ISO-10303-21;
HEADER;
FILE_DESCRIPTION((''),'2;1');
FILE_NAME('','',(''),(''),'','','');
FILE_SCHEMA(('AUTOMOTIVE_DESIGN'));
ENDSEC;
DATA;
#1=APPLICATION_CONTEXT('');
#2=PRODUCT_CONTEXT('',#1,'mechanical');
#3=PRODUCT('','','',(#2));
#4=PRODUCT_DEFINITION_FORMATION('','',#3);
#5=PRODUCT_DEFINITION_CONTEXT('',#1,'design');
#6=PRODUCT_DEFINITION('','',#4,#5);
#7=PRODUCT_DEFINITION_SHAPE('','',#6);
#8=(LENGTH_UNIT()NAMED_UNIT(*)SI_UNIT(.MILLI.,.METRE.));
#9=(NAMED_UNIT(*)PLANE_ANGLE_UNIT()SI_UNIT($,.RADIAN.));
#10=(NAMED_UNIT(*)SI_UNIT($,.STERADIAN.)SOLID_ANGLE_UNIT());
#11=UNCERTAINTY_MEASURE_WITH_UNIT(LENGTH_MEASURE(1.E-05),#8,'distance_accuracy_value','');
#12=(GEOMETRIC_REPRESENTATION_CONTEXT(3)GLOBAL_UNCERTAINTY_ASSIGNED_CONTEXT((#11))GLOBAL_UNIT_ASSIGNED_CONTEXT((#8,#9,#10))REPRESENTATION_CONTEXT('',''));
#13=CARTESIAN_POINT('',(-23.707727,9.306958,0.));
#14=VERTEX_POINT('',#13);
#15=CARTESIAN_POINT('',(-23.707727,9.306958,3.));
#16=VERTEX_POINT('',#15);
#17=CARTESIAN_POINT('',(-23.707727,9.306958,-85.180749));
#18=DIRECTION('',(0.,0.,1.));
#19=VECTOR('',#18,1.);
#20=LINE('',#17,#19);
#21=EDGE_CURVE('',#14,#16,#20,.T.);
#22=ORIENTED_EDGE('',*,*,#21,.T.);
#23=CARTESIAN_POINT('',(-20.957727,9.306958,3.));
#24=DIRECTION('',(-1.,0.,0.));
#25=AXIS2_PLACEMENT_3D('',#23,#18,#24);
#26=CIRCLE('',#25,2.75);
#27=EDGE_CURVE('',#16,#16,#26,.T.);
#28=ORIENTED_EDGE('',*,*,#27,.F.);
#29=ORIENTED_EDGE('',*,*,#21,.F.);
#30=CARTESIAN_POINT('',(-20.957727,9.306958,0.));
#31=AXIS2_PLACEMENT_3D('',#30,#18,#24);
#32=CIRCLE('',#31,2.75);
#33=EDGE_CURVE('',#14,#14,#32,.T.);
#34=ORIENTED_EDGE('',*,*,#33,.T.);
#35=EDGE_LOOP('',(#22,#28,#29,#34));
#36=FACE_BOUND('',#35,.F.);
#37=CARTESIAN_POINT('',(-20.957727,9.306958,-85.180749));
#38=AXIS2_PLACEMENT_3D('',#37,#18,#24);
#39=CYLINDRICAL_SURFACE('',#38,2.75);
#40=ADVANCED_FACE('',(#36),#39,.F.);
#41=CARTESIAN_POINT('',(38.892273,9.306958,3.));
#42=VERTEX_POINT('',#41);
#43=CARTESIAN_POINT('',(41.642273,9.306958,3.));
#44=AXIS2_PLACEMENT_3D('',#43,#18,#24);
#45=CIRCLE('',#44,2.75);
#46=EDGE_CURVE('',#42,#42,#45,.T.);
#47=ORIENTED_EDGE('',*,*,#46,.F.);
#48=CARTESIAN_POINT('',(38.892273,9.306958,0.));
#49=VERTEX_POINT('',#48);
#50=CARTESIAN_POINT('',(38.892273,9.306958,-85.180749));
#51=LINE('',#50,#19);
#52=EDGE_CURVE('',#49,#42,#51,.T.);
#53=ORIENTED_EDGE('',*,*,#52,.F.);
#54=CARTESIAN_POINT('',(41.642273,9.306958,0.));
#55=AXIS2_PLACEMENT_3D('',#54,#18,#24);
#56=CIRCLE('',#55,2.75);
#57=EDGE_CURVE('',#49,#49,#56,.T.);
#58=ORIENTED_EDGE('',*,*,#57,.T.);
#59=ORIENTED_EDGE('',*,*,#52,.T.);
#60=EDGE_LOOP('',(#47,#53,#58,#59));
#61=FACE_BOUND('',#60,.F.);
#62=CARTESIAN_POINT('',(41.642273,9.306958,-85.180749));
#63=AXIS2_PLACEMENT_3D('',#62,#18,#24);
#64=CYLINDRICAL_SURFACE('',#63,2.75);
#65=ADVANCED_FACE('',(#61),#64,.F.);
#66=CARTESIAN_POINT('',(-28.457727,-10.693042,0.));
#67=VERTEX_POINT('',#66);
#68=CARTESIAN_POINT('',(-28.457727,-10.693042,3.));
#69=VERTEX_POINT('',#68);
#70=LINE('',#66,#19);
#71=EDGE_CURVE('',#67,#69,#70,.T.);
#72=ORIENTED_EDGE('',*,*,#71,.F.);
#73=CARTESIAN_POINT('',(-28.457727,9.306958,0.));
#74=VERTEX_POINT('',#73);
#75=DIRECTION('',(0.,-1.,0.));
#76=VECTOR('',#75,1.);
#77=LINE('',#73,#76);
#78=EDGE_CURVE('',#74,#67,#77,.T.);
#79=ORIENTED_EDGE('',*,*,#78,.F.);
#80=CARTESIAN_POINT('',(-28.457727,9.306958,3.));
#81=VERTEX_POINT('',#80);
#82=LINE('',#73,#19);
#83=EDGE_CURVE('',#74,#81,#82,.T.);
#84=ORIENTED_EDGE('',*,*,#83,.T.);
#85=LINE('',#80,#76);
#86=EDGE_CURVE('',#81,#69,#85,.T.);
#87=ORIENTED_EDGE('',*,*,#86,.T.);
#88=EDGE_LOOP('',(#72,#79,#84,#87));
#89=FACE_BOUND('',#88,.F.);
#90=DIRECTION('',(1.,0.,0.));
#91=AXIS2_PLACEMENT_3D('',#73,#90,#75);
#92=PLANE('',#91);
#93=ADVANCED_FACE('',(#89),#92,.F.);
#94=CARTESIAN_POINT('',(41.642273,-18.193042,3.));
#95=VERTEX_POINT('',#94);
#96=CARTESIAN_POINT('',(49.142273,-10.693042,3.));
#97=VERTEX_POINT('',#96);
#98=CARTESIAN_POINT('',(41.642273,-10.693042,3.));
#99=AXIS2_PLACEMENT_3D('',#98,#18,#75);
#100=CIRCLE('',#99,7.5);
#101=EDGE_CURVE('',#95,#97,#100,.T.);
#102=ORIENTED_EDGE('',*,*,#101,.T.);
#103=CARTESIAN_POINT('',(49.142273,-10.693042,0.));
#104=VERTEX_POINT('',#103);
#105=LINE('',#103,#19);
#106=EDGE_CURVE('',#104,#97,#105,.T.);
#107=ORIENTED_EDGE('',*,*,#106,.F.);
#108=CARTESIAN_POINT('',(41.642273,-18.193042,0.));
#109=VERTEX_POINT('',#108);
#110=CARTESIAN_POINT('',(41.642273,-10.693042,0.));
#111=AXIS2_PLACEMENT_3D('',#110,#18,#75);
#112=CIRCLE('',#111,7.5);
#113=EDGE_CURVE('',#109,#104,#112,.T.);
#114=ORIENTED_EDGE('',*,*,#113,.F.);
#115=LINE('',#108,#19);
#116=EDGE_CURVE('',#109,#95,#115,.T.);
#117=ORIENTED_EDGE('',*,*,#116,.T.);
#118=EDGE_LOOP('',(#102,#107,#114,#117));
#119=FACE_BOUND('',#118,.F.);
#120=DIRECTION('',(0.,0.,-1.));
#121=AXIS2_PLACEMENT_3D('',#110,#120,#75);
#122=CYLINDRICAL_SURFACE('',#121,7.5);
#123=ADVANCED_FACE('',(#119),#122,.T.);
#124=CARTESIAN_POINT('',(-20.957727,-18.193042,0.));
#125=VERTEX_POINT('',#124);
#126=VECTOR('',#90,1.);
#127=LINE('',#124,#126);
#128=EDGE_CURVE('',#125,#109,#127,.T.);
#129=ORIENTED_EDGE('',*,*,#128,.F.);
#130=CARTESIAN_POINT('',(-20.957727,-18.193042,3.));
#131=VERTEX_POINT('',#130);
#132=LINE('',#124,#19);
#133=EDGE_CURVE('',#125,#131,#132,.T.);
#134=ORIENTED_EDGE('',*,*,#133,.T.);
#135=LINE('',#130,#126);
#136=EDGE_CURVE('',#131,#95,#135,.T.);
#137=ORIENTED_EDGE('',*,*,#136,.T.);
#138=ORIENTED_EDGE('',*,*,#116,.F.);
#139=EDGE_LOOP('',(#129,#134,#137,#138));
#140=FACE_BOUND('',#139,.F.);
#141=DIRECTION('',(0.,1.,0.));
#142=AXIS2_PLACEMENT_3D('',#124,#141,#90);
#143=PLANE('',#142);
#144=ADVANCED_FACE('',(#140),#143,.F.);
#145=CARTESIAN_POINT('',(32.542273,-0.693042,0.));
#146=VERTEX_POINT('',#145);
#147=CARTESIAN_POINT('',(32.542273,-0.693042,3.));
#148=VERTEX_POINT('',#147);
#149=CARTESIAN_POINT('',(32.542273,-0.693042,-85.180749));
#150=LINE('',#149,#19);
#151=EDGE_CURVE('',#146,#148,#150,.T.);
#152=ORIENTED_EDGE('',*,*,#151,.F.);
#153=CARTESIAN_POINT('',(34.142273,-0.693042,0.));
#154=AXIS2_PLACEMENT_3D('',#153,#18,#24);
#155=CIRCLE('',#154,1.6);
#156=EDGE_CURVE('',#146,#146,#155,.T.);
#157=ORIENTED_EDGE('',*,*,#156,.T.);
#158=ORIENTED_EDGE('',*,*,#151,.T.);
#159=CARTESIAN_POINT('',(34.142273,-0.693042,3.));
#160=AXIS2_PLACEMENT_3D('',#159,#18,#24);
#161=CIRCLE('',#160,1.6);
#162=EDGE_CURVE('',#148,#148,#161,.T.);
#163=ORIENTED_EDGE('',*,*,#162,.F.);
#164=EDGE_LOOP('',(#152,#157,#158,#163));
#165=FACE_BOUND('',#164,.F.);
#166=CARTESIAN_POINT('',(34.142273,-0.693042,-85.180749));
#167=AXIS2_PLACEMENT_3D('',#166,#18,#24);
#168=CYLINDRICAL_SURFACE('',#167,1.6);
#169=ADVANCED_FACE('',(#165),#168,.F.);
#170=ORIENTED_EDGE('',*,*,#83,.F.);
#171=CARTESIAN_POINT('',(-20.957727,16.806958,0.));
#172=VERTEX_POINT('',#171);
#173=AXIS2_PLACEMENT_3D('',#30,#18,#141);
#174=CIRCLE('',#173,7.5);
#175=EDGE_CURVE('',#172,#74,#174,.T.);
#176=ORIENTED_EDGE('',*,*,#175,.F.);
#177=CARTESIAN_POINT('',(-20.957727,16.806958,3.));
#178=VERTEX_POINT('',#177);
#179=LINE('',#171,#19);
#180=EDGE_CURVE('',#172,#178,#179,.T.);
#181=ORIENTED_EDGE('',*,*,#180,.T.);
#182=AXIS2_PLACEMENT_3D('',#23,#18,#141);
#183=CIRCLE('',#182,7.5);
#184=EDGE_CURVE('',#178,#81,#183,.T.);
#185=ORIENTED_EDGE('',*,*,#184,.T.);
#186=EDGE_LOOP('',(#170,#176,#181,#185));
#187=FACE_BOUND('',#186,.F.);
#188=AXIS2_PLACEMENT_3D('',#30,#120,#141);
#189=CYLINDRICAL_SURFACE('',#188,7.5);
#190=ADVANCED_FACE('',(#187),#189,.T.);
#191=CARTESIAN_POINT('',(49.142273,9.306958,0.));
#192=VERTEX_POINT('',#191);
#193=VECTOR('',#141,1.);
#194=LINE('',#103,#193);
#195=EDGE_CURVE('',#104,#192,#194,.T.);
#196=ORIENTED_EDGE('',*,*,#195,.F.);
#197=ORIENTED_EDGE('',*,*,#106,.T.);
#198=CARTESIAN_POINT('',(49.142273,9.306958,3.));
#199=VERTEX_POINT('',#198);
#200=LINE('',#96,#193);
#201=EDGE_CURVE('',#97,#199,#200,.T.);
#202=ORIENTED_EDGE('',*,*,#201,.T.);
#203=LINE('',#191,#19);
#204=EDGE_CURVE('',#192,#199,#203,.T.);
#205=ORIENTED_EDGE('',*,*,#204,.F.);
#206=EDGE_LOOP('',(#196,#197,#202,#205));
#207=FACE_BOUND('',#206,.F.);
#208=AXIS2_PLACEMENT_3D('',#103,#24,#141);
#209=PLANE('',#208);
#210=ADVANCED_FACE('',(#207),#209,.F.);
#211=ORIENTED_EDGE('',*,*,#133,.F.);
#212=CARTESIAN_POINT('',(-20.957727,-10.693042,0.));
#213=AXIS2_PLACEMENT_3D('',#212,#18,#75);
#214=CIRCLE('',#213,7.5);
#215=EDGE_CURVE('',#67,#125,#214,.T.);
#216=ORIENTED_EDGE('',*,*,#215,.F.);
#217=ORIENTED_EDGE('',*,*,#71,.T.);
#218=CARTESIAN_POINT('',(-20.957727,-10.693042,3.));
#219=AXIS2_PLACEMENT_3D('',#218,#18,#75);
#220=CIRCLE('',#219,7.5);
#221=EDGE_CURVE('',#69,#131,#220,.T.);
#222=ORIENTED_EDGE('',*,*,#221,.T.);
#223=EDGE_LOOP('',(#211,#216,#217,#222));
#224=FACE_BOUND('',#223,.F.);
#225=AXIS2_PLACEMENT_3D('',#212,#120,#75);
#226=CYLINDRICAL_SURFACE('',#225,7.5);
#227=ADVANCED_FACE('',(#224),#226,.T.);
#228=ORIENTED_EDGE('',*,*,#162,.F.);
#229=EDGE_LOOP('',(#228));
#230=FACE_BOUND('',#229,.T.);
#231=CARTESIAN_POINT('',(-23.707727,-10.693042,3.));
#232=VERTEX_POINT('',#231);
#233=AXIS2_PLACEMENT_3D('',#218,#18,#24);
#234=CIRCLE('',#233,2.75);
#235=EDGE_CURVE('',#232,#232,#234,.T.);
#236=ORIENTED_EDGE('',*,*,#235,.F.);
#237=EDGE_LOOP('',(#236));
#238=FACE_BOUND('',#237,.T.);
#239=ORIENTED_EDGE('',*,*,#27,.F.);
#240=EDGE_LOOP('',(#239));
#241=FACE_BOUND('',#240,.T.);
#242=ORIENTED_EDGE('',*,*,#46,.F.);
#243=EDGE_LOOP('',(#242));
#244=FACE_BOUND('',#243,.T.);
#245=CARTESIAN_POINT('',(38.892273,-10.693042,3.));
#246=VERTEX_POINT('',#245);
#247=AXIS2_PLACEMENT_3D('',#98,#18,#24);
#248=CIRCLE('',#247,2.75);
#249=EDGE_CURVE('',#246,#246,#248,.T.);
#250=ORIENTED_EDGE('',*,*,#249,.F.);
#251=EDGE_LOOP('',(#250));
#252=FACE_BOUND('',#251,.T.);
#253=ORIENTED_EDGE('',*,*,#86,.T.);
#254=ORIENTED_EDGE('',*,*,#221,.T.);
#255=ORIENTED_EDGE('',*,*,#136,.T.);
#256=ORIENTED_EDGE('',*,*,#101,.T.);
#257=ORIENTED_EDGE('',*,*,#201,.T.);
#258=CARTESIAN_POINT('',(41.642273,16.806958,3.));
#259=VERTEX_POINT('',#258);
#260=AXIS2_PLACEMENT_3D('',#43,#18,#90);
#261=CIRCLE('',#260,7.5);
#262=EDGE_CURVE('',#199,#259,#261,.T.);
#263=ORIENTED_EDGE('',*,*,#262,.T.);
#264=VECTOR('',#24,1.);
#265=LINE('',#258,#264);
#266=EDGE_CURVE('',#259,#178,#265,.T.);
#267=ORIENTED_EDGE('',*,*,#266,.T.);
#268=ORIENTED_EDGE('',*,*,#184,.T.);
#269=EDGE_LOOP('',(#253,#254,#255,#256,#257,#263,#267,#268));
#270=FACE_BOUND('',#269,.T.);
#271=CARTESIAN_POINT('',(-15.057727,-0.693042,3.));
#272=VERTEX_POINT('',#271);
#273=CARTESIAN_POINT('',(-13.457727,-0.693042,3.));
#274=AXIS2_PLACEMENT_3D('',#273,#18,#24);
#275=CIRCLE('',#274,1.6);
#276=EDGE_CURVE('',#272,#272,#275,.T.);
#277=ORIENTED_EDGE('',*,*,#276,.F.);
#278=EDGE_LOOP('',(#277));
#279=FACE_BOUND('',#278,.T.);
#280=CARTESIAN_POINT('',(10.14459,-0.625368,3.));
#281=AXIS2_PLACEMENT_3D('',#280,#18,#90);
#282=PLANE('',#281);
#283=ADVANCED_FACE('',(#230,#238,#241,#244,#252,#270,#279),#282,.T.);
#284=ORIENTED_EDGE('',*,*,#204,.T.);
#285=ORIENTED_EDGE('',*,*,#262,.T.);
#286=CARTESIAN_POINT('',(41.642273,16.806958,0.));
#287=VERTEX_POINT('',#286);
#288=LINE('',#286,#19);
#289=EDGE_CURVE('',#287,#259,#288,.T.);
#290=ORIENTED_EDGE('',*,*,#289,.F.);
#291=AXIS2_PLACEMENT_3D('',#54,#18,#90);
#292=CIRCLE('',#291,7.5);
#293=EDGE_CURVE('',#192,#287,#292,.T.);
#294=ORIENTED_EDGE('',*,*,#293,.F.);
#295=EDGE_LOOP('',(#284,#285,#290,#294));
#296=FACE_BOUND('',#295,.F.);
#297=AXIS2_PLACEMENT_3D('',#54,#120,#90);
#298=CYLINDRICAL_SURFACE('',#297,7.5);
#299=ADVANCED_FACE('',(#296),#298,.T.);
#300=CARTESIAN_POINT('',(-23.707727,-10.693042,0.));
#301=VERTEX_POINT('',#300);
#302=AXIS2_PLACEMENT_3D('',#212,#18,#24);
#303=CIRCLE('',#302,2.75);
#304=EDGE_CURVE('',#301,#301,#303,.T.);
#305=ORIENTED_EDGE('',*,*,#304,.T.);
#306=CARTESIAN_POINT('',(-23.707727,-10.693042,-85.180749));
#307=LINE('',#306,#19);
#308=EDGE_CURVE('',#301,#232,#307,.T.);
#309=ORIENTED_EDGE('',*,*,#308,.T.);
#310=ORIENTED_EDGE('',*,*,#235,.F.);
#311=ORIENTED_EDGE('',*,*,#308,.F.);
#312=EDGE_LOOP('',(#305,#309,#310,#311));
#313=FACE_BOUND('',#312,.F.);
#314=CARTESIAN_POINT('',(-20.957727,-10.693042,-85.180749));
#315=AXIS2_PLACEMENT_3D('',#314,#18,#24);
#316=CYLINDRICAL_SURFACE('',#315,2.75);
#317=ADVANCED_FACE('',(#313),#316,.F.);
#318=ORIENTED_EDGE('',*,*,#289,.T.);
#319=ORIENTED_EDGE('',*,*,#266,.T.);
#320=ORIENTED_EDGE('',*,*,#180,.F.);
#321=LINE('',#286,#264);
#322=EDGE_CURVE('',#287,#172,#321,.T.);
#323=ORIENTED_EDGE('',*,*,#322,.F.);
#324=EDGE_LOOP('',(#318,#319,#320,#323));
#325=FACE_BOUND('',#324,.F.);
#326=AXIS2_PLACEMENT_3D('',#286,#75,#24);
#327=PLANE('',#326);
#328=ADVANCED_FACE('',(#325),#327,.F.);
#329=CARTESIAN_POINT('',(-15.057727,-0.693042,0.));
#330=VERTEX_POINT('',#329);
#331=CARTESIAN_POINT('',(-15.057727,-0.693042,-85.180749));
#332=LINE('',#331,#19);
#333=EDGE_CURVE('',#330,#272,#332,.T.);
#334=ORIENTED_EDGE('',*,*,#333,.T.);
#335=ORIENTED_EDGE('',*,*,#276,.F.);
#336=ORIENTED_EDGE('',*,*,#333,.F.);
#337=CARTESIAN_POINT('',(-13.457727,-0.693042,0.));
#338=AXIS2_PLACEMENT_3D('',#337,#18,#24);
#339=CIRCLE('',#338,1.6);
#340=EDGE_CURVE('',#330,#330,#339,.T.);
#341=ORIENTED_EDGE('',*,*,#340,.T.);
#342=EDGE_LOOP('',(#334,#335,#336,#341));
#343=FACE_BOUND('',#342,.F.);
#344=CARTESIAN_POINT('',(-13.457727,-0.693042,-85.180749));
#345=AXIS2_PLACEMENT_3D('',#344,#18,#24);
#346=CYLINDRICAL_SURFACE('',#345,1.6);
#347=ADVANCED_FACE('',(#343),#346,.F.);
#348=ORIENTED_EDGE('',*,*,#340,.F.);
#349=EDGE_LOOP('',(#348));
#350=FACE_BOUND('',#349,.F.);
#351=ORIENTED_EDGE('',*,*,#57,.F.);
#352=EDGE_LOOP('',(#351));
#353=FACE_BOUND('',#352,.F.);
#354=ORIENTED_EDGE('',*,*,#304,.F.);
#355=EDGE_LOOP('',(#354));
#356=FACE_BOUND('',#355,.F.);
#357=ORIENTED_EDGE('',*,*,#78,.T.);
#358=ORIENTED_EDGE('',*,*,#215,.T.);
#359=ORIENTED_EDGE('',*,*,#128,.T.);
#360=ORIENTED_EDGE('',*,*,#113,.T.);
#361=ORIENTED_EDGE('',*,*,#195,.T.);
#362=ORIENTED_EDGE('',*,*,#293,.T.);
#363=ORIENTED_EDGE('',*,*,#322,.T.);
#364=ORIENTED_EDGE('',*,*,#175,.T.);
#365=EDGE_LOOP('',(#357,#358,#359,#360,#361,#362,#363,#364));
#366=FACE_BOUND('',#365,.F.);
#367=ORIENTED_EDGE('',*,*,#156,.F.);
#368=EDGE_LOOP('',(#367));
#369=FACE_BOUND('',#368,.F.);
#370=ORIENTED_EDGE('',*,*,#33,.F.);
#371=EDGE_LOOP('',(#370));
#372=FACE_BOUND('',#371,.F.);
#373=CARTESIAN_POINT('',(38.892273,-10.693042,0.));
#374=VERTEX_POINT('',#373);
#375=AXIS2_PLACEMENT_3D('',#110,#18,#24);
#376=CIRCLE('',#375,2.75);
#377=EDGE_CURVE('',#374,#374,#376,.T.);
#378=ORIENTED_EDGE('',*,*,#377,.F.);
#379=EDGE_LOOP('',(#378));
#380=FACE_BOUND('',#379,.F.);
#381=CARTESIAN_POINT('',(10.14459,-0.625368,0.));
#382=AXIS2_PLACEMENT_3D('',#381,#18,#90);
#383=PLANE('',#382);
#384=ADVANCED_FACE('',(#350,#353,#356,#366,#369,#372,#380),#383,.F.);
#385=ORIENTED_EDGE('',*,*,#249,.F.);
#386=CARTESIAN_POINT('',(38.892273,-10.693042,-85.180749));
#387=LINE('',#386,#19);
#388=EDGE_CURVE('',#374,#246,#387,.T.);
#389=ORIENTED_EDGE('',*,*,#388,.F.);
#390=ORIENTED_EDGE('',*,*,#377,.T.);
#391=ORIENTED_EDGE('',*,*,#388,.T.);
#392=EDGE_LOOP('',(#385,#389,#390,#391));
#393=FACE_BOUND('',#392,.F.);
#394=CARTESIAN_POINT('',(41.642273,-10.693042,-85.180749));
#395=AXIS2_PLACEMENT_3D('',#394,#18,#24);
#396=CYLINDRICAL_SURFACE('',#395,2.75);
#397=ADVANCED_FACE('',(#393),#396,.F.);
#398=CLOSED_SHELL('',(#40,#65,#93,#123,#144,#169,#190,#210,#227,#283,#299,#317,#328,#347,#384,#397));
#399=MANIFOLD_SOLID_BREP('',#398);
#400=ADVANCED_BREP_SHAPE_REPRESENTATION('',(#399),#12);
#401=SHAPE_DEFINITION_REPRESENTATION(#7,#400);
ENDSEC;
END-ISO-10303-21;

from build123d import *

# Parameters (mm, degrees)
F1_DEPTH = 3
F2_D     = 5.5
F3_D     = 3.2


with BuildPart() as f1:
    # F0 (on Top) → F1 (new body)
    with BuildSketch(Plane.XY):
        with BuildLine():
            Line((41.6422729686, 16.8069582433), (-20.9577269852, 16.8069582433))
            ThreePointArc((-20.9577269852, 16.8069582433), (-15.6544261263, 14.6102591021), (-13.4577269852, 9.3069582433))
            ThreePointArc((-13.4577269852, 9.3069582433), (-20.9577269852, 1.8069582433), (-28.4577269852, 9.3069582433))
            Line((-28.4577269852, 9.3069582433), (-28.4577269852, -10.6930417567))
            ThreePointArc((-28.4577269852, -10.6930417567), (-20.9577269852, -3.1930417567), (-13.4577269852, -10.6930417567))
            ThreePointArc((-13.4577269852, -10.6930417567), (-15.6544261263, -15.9963426156), (-20.9577269852, -18.1930417567))
            Line((-20.9577269852, -18.1930417567), (41.6422730148, -18.1930417567))
            ThreePointArc((41.6422730148, -18.1930417567), (36.3389721559, -5.3897408979), (49.1422730148, -10.6930417567))
            Line((49.1422730148, -10.6930417567), (49.1422730148, 9.3069582433))
            ThreePointArc((49.1422730148, 9.3069582433), (36.3389721722, 4.003657368), (41.6422729686, 16.8069582433))
        make_face()
        with BuildLine():
            ThreePointArc((49.1422730148, 9.3069582433), (46.9455738573, 14.6102591185), (41.6422729686, 16.8069582433))
            ThreePointArc((41.6422729686, 16.8069582433), (36.3389721722, 4.003657368), (49.1422730148, 9.3069582433))
        make_face()
        with BuildLine():
            ThreePointArc((-13.4577269852, 9.3069582433), (-15.6544261263, 14.6102591021), (-20.9577269852, 16.8069582433))
            ThreePointArc((-20.9577269852, 16.8069582433), (-26.2610278441, 14.6102591022), (-28.4577269852, 9.3069582433))
            ThreePointArc((-28.4577269852, 9.3069582433), (-20.9577269852, 1.8069582433), (-13.4577269852, 9.3069582433))
        make_face()
        with BuildLine():
            ThreePointArc((-13.4577269852, -10.6930417567), (-20.9577269852, -3.1930417567), (-28.4577269852, -10.6930417567))
            ThreePointArc((-28.4577269852, -10.6930417567), (-26.2610278441, -15.9963426156), (-20.9577269852, -18.1930417567))
            ThreePointArc((-20.9577269852, -18.1930417567), (-15.6544261263, -15.9963426156), (-13.4577269852, -10.6930417567))
        make_face()
        with BuildLine():
            ThreePointArc((41.6422730148, -18.1930417567), (46.9455738737, -15.9963426156), (49.1422730148, -10.6930417567))
            ThreePointArc((49.1422730148, -10.6930417567), (36.3389721559, -5.3897408979), (41.6422730148, -18.1930417567))
        make_face()
    extrude(amount=F1_DEPTH)

    # F2 (through all)
    with Locations(Plane(origin=(0, 0, 0), x_dir=(1, 0, 0), z_dir=(0, 0, -1))):
        with Locations((-20.9577269852, -9.3069582433), (-20.9577269852, 10.6930417567), (41.6422730148, 10.6930417567), (41.6422730148, -9.3069582433)):
            Hole(F2_D / 2)

    # F3 (through all)
    with Locations(Plane(origin=(0, 0, 0), x_dir=(1, 0, 0), z_dir=(0, 0, -1))):
        with Locations((-13.4577269852, 0.6930417567), (34.1422730148, 0.6930417567)):
            Hole(F3_D / 2)


solid = f1.part
